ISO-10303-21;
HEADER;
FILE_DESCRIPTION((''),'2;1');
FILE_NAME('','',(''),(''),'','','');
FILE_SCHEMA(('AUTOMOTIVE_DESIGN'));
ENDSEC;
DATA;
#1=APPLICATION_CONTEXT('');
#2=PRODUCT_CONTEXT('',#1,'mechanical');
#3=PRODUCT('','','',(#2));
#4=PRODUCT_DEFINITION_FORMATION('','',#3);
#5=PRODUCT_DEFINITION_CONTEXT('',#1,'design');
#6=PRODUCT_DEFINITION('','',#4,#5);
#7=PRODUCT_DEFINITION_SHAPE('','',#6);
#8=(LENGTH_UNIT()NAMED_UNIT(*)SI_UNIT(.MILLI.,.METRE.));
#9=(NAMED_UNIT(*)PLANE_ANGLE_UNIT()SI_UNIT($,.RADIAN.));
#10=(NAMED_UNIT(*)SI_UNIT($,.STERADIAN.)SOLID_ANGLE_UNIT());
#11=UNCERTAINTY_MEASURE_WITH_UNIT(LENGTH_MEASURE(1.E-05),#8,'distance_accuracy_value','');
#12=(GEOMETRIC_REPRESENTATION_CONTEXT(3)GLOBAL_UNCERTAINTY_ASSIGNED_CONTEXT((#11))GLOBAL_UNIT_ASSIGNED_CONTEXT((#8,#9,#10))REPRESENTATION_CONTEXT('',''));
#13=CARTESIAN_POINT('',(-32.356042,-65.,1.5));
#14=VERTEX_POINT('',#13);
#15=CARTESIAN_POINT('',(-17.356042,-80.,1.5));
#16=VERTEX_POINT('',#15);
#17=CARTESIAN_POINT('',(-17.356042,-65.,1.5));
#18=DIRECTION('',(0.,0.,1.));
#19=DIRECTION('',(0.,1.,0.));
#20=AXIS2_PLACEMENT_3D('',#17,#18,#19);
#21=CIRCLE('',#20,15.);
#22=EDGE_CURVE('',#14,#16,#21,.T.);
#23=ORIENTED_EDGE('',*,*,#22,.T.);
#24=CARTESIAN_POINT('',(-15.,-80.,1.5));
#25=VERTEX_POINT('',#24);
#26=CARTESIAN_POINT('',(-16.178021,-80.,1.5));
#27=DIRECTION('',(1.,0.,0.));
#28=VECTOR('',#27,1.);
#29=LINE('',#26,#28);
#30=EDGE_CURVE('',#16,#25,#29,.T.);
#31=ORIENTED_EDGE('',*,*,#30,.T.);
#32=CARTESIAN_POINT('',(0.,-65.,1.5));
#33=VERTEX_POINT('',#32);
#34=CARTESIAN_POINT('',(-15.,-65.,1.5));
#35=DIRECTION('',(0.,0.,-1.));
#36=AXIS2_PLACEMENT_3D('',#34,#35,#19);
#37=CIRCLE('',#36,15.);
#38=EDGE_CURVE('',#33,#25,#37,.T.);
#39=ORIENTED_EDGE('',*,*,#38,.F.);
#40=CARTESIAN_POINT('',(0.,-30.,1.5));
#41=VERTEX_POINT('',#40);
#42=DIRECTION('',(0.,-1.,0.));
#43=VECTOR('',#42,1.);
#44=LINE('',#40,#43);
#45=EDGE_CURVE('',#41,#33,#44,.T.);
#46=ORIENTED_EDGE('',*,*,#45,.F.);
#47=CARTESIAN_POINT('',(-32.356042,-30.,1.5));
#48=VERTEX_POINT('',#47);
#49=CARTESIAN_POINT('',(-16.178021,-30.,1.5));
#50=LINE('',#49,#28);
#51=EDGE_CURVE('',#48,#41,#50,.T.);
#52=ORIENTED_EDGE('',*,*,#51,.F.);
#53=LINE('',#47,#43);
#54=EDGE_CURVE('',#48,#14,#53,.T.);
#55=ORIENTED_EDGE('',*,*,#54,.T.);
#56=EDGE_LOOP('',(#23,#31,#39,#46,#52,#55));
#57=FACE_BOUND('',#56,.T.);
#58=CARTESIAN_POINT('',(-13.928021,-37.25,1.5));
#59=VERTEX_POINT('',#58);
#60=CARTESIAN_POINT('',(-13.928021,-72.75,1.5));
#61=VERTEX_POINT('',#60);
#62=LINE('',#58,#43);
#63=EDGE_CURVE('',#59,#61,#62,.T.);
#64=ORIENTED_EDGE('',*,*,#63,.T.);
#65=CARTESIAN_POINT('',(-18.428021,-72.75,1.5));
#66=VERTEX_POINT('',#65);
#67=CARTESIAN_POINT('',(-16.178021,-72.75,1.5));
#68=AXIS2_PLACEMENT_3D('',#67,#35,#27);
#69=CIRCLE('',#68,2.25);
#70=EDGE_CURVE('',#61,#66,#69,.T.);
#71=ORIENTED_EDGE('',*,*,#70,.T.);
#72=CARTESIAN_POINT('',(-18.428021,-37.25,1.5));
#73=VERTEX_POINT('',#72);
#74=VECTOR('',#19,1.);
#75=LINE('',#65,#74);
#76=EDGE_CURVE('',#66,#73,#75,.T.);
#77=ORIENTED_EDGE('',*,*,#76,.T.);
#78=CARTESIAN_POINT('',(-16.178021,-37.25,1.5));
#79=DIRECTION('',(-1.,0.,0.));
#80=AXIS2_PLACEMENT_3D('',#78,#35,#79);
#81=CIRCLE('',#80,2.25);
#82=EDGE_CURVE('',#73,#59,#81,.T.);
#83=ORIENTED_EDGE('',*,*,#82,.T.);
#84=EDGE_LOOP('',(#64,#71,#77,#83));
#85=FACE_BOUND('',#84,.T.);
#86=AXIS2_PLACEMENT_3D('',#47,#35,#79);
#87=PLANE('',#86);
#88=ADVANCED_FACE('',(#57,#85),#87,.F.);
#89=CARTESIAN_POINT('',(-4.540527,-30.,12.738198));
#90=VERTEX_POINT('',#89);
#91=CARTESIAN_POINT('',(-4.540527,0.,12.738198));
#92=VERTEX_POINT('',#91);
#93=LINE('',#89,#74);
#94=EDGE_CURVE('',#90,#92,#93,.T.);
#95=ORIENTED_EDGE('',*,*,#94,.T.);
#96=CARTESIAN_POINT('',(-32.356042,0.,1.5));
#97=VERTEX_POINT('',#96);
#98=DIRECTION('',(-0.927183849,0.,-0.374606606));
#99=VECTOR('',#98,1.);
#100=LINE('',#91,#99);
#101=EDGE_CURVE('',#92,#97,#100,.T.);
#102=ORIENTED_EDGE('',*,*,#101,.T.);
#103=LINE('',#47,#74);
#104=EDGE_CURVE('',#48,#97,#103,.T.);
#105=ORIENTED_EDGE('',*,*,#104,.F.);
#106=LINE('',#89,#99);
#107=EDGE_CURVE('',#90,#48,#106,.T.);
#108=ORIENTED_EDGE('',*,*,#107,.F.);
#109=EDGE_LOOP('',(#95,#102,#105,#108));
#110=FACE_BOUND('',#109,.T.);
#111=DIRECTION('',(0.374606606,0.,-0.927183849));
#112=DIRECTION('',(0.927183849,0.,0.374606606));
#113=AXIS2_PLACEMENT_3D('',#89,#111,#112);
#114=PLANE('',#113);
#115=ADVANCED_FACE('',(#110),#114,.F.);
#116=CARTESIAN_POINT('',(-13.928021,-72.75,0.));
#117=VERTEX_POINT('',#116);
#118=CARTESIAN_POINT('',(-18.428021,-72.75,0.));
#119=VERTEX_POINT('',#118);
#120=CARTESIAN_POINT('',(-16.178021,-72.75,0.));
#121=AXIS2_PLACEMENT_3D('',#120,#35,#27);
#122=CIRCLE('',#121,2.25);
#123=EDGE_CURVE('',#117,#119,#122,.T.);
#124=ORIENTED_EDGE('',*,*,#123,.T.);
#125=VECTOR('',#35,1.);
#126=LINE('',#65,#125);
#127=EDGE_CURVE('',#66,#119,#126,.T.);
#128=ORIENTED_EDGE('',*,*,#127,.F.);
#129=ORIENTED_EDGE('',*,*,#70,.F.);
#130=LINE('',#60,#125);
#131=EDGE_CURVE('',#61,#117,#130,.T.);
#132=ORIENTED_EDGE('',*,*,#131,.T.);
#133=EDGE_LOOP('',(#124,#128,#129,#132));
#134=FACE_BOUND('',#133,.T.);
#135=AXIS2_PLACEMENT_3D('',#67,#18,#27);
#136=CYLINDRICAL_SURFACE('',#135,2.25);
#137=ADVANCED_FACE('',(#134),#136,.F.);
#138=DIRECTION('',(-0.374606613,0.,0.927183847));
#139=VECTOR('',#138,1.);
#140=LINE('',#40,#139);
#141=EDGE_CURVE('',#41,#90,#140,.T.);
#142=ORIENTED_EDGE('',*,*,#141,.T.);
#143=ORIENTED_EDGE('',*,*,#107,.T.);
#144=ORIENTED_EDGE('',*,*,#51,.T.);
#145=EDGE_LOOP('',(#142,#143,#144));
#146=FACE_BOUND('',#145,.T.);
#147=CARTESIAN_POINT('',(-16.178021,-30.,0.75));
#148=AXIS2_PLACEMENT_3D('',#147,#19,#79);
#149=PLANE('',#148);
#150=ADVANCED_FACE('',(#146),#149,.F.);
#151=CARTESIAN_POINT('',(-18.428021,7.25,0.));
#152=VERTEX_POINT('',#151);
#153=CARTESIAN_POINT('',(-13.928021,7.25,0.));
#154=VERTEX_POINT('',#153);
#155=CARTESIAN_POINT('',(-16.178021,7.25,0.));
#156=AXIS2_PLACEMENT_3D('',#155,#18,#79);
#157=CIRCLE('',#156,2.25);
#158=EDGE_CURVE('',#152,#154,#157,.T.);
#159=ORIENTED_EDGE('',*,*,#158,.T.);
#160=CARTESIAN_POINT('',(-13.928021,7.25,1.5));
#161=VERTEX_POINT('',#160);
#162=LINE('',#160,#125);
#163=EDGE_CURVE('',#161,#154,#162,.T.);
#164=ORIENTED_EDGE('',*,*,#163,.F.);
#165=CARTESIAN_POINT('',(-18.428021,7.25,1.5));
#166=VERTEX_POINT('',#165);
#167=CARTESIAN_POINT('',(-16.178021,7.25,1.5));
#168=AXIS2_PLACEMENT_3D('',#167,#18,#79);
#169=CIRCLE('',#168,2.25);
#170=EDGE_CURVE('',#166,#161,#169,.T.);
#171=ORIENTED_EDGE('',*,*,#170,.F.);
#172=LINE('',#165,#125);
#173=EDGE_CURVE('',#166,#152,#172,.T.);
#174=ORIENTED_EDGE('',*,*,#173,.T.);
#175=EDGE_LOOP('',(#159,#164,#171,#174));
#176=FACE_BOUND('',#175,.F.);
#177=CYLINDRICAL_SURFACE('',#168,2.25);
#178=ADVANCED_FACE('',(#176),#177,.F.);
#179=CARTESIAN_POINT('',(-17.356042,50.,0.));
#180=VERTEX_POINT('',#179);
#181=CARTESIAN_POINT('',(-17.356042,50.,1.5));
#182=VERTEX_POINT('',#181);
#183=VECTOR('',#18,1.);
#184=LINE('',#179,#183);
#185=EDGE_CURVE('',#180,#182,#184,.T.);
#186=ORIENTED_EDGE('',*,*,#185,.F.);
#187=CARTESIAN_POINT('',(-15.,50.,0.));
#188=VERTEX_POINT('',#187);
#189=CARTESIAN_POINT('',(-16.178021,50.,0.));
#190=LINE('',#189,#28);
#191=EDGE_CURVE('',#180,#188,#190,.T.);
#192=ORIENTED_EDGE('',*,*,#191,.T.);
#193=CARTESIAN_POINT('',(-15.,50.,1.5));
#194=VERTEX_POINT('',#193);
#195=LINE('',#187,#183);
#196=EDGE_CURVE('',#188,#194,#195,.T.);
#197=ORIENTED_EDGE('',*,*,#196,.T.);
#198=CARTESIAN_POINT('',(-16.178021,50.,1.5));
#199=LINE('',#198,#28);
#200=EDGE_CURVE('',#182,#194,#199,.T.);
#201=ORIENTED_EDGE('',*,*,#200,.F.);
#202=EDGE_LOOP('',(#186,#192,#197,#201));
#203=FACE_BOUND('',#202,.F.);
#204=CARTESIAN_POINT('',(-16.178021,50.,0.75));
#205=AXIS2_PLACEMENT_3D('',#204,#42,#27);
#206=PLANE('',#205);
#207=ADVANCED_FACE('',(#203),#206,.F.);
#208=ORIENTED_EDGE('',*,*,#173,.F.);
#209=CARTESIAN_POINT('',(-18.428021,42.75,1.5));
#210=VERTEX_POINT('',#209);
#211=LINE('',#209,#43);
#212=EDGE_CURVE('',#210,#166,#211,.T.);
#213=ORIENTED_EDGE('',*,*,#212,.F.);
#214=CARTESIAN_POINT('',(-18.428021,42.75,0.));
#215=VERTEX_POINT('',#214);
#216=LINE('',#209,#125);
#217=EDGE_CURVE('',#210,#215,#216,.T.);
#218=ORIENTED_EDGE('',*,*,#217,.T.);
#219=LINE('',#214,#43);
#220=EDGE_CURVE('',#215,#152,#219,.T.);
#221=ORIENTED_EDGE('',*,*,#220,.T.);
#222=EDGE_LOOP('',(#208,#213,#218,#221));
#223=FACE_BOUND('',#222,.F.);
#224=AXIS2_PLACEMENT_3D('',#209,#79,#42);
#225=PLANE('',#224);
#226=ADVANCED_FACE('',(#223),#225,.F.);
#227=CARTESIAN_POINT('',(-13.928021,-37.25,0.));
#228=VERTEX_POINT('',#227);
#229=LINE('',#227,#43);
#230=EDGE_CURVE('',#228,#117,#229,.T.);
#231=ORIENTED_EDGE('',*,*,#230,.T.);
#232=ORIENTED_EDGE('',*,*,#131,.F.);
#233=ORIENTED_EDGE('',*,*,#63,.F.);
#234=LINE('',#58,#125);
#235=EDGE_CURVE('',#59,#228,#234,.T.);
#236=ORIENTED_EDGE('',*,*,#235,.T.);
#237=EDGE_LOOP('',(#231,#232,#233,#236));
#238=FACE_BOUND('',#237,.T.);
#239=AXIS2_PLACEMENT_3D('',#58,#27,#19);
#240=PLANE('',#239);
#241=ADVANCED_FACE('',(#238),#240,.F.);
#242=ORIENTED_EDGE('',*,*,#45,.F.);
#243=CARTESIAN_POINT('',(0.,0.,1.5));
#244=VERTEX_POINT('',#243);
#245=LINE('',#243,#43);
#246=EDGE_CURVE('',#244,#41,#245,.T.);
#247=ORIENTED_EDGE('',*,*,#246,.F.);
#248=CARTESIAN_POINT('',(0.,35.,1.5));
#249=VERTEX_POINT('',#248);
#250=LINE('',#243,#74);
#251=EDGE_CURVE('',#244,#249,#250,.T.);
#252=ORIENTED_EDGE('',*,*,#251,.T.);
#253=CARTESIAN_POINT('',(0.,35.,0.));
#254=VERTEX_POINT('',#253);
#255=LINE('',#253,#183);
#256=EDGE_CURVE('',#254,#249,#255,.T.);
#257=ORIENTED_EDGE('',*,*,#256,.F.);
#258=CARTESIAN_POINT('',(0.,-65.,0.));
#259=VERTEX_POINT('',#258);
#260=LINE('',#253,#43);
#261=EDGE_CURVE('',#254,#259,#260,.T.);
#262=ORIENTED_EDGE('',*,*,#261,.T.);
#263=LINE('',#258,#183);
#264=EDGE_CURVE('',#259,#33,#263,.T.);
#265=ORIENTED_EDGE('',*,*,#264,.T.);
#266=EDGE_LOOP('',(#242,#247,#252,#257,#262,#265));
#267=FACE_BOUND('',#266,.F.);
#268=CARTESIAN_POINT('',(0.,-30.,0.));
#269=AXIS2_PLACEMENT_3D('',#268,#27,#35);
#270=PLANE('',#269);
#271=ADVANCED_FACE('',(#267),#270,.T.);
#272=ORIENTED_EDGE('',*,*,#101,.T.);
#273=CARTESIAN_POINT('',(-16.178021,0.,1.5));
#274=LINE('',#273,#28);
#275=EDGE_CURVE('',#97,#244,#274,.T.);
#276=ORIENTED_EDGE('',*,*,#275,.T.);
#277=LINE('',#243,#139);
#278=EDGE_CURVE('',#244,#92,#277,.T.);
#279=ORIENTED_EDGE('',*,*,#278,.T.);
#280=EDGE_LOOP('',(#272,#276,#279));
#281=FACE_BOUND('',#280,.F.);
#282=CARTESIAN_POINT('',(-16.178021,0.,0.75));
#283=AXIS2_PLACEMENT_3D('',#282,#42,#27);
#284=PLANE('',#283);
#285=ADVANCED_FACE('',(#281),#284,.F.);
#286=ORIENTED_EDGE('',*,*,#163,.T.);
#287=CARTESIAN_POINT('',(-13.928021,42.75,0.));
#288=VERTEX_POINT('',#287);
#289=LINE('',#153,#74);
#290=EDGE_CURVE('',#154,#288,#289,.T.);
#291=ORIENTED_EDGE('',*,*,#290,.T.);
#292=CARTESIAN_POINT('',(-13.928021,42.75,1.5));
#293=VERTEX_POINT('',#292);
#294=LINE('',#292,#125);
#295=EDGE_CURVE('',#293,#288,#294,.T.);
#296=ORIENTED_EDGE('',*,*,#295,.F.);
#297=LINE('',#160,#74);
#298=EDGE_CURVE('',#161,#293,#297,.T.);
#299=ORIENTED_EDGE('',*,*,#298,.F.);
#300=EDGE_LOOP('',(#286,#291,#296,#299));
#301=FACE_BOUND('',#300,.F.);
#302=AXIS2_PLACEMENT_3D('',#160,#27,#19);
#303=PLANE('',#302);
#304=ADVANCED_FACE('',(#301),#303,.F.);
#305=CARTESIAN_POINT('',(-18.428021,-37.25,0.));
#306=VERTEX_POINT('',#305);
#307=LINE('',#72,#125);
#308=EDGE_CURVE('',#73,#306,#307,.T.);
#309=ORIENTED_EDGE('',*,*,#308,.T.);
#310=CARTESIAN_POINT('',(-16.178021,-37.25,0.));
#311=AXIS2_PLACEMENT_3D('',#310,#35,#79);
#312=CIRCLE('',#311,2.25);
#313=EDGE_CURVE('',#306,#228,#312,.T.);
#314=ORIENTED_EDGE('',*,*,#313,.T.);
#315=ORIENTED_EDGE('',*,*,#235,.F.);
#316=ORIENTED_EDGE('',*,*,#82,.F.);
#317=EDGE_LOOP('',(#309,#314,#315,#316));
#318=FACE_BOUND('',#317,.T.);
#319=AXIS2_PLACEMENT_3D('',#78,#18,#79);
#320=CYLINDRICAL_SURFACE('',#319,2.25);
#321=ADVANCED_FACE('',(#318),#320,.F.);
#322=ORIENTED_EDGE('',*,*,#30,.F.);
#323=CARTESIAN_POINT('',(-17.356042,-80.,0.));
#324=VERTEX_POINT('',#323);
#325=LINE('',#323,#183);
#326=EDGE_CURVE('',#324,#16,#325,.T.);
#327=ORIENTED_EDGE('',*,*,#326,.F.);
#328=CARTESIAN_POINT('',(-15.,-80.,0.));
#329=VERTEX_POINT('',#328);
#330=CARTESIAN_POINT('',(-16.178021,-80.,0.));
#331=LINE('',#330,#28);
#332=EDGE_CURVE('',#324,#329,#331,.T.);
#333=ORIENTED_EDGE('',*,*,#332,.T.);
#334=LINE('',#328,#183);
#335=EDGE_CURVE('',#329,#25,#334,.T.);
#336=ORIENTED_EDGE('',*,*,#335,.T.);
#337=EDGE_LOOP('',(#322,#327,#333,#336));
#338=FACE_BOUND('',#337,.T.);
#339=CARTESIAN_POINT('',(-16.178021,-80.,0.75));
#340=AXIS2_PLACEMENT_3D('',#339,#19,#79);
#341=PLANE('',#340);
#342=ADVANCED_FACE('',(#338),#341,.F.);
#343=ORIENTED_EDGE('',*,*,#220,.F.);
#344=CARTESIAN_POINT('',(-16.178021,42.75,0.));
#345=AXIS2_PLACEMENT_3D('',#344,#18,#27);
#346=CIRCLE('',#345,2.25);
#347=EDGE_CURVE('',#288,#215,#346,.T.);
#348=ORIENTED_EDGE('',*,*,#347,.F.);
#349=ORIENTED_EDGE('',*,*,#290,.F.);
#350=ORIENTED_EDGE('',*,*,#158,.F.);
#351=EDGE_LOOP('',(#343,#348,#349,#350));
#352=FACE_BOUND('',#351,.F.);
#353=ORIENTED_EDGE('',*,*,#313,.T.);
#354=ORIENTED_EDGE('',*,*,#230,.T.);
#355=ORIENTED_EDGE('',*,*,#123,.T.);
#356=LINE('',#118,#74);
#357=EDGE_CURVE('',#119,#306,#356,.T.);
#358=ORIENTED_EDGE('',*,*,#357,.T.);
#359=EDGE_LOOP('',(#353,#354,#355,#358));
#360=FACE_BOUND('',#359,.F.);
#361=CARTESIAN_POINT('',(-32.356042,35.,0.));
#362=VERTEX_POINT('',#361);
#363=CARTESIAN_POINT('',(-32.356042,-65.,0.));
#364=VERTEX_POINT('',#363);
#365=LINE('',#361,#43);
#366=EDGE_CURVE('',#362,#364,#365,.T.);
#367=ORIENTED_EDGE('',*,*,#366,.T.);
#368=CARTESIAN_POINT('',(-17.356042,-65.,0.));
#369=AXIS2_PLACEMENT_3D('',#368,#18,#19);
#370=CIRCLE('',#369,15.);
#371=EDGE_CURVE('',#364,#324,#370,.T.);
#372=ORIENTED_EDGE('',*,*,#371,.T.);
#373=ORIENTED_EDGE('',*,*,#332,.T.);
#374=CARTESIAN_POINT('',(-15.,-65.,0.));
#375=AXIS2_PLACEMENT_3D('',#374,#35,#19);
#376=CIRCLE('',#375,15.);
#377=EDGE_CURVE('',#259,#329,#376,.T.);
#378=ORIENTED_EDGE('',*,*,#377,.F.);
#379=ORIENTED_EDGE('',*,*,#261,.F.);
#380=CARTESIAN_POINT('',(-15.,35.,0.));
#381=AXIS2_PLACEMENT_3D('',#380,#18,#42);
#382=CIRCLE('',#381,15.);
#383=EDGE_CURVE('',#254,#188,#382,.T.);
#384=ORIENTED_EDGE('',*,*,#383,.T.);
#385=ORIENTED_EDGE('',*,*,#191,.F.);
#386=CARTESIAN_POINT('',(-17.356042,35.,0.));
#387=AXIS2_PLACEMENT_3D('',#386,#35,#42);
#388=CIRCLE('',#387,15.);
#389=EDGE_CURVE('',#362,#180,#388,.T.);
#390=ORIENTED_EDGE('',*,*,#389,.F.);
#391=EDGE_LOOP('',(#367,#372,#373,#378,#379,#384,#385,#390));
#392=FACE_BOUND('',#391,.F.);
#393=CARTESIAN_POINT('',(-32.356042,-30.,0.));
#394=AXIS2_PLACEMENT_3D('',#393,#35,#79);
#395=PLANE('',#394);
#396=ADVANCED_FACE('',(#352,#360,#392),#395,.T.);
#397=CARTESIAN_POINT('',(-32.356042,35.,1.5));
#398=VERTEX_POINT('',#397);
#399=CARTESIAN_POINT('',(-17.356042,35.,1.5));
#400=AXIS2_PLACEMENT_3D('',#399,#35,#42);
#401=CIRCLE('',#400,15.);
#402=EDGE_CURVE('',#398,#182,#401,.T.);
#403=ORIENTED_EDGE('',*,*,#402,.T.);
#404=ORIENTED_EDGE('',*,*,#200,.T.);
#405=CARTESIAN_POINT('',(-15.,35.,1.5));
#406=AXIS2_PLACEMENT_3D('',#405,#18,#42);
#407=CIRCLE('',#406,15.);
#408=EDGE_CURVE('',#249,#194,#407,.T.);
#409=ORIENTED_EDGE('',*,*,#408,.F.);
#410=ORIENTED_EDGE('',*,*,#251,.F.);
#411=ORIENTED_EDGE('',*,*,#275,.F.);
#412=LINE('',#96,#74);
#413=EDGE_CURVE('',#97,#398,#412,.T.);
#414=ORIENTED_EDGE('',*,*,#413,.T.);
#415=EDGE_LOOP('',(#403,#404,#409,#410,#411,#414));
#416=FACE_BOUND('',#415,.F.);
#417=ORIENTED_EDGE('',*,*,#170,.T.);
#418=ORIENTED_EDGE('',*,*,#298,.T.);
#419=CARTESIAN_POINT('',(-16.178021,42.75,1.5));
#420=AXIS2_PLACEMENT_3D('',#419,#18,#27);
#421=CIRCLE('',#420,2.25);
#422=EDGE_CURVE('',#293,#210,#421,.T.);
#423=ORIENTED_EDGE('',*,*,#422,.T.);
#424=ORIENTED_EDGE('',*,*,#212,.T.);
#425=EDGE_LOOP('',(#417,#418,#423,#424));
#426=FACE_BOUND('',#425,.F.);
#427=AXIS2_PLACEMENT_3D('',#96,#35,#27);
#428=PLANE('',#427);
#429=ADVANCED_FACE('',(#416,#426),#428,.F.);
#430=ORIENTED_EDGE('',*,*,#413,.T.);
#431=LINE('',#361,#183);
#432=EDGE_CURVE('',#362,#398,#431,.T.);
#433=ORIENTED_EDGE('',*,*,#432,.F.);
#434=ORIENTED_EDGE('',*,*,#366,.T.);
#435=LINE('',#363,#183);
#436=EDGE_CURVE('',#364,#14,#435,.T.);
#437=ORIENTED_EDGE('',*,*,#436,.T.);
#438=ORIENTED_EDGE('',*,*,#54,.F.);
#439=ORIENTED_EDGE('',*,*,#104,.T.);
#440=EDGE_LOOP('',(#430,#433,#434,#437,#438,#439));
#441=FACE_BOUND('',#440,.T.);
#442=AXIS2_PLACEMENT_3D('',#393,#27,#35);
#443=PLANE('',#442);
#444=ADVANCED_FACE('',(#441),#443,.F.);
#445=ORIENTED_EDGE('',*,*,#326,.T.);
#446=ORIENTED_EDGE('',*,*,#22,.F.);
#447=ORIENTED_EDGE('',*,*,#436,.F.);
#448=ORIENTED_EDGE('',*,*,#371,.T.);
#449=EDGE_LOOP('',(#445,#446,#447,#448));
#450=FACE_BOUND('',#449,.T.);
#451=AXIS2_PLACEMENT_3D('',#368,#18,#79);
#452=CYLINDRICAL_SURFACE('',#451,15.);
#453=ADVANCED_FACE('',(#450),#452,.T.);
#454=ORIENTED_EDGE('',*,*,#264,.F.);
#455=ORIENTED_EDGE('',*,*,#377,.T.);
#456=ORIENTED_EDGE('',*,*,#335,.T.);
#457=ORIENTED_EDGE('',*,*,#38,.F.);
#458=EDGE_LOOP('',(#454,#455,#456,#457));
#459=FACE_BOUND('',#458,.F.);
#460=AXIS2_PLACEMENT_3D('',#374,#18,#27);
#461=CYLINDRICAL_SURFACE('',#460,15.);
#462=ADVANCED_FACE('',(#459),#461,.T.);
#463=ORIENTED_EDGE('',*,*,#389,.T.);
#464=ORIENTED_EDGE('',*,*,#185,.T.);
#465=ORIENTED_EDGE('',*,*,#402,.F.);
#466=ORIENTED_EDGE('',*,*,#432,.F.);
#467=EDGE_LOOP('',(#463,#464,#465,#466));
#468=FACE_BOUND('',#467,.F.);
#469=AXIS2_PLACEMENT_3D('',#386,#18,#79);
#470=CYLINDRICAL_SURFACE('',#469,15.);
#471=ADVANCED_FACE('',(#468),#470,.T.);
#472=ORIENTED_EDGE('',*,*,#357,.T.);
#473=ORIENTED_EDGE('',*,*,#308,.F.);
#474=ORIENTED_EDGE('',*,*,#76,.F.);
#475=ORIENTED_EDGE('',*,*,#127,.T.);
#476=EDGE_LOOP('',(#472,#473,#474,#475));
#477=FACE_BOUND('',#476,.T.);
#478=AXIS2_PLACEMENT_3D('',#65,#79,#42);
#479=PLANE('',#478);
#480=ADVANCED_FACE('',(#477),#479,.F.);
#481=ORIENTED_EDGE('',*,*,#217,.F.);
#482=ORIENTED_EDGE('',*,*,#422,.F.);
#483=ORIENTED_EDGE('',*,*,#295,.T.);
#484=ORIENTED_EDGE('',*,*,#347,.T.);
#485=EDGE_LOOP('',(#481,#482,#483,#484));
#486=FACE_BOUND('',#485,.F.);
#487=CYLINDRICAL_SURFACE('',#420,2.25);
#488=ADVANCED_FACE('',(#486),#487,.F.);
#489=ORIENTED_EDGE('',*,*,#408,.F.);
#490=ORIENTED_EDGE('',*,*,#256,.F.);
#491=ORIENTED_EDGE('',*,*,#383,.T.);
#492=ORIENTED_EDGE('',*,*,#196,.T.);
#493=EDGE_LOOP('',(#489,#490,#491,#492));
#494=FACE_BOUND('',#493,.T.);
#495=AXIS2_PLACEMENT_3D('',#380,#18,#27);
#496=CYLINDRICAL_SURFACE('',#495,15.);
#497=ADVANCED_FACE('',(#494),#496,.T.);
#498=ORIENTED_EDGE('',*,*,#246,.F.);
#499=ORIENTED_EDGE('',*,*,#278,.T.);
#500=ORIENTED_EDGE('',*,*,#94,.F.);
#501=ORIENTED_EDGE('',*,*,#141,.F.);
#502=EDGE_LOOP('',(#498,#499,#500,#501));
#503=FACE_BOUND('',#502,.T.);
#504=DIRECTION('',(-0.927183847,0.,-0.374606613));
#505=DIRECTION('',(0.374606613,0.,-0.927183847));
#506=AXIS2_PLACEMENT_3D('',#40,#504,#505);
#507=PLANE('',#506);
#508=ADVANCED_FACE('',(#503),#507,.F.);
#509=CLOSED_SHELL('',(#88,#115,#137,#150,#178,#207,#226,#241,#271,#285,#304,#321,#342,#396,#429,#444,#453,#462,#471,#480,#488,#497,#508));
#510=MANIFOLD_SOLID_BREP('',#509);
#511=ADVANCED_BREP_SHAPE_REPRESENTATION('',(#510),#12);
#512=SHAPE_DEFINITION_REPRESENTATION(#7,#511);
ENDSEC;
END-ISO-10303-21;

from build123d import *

# Parameters (mm, degrees)
F0_W     = 32.356042
F0_H     = 1.5
F1_DEPTH = 15
F2_DEPTH = 50
F3_R     = 15
F5_DEPTH = 1.5


with BuildPart() as f1:
    # F0 (on Front) → F1 (new body)
    with BuildSketch(Plane.XZ):
        with Locations((-16.178021, 0.75)):
            Rectangle(F0_W, F0_H)
        Polygon((-32.356042, 1.5), (0, 1.5), (-4.540527, 12.738198), align=None)
    extrude(amount=F1_DEPTH)

    # F0 (on Front) → F2 (join)
    with BuildSketch(Plane.XZ):
        with Locations((-16.178021, 0.75)):
            Rectangle(F0_W, F0_H)
    extrude(amount=-F2_DEPTH)

    # F3
    f3_edges = [f1.edges().sort_by_distance(p)[0] for p in [
        (0, 50, 0.75),
        (-32.356042, 50, 0.75),
    ]]
    fillet(f3_edges, radius=F3_R)

    # F4 (on face) → F5 (cut, through all)
    with BuildSketch(Plane.XY.offset(1.5)):
        with BuildLine():
            ThreePointArc((-13.928021, 42.75), (-16.178021, 45), (-18.428021, 42.75))
            Line((-18.428021, 42.75), (-18.428021, 7.25))
            ThreePointArc((-18.428021, 7.25), (-16.178021, 5), (-13.928021, 7.25))
            Line((-13.928021, 7.25), (-13.928021, 42.75))
        make_face()
    extrude(amount=-F5_DEPTH, mode=Mode.SUBTRACT)

    # F6: F1 across face


with BuildPart() as f1_1:
    add(f1.part)
    add(f1.part.mirror(Plane(origin=(-13.1162, -15, 4.298741), x_dir=(1, 0, 0), z_dir=(0, -1, 0))))


solid = f1_1.part
